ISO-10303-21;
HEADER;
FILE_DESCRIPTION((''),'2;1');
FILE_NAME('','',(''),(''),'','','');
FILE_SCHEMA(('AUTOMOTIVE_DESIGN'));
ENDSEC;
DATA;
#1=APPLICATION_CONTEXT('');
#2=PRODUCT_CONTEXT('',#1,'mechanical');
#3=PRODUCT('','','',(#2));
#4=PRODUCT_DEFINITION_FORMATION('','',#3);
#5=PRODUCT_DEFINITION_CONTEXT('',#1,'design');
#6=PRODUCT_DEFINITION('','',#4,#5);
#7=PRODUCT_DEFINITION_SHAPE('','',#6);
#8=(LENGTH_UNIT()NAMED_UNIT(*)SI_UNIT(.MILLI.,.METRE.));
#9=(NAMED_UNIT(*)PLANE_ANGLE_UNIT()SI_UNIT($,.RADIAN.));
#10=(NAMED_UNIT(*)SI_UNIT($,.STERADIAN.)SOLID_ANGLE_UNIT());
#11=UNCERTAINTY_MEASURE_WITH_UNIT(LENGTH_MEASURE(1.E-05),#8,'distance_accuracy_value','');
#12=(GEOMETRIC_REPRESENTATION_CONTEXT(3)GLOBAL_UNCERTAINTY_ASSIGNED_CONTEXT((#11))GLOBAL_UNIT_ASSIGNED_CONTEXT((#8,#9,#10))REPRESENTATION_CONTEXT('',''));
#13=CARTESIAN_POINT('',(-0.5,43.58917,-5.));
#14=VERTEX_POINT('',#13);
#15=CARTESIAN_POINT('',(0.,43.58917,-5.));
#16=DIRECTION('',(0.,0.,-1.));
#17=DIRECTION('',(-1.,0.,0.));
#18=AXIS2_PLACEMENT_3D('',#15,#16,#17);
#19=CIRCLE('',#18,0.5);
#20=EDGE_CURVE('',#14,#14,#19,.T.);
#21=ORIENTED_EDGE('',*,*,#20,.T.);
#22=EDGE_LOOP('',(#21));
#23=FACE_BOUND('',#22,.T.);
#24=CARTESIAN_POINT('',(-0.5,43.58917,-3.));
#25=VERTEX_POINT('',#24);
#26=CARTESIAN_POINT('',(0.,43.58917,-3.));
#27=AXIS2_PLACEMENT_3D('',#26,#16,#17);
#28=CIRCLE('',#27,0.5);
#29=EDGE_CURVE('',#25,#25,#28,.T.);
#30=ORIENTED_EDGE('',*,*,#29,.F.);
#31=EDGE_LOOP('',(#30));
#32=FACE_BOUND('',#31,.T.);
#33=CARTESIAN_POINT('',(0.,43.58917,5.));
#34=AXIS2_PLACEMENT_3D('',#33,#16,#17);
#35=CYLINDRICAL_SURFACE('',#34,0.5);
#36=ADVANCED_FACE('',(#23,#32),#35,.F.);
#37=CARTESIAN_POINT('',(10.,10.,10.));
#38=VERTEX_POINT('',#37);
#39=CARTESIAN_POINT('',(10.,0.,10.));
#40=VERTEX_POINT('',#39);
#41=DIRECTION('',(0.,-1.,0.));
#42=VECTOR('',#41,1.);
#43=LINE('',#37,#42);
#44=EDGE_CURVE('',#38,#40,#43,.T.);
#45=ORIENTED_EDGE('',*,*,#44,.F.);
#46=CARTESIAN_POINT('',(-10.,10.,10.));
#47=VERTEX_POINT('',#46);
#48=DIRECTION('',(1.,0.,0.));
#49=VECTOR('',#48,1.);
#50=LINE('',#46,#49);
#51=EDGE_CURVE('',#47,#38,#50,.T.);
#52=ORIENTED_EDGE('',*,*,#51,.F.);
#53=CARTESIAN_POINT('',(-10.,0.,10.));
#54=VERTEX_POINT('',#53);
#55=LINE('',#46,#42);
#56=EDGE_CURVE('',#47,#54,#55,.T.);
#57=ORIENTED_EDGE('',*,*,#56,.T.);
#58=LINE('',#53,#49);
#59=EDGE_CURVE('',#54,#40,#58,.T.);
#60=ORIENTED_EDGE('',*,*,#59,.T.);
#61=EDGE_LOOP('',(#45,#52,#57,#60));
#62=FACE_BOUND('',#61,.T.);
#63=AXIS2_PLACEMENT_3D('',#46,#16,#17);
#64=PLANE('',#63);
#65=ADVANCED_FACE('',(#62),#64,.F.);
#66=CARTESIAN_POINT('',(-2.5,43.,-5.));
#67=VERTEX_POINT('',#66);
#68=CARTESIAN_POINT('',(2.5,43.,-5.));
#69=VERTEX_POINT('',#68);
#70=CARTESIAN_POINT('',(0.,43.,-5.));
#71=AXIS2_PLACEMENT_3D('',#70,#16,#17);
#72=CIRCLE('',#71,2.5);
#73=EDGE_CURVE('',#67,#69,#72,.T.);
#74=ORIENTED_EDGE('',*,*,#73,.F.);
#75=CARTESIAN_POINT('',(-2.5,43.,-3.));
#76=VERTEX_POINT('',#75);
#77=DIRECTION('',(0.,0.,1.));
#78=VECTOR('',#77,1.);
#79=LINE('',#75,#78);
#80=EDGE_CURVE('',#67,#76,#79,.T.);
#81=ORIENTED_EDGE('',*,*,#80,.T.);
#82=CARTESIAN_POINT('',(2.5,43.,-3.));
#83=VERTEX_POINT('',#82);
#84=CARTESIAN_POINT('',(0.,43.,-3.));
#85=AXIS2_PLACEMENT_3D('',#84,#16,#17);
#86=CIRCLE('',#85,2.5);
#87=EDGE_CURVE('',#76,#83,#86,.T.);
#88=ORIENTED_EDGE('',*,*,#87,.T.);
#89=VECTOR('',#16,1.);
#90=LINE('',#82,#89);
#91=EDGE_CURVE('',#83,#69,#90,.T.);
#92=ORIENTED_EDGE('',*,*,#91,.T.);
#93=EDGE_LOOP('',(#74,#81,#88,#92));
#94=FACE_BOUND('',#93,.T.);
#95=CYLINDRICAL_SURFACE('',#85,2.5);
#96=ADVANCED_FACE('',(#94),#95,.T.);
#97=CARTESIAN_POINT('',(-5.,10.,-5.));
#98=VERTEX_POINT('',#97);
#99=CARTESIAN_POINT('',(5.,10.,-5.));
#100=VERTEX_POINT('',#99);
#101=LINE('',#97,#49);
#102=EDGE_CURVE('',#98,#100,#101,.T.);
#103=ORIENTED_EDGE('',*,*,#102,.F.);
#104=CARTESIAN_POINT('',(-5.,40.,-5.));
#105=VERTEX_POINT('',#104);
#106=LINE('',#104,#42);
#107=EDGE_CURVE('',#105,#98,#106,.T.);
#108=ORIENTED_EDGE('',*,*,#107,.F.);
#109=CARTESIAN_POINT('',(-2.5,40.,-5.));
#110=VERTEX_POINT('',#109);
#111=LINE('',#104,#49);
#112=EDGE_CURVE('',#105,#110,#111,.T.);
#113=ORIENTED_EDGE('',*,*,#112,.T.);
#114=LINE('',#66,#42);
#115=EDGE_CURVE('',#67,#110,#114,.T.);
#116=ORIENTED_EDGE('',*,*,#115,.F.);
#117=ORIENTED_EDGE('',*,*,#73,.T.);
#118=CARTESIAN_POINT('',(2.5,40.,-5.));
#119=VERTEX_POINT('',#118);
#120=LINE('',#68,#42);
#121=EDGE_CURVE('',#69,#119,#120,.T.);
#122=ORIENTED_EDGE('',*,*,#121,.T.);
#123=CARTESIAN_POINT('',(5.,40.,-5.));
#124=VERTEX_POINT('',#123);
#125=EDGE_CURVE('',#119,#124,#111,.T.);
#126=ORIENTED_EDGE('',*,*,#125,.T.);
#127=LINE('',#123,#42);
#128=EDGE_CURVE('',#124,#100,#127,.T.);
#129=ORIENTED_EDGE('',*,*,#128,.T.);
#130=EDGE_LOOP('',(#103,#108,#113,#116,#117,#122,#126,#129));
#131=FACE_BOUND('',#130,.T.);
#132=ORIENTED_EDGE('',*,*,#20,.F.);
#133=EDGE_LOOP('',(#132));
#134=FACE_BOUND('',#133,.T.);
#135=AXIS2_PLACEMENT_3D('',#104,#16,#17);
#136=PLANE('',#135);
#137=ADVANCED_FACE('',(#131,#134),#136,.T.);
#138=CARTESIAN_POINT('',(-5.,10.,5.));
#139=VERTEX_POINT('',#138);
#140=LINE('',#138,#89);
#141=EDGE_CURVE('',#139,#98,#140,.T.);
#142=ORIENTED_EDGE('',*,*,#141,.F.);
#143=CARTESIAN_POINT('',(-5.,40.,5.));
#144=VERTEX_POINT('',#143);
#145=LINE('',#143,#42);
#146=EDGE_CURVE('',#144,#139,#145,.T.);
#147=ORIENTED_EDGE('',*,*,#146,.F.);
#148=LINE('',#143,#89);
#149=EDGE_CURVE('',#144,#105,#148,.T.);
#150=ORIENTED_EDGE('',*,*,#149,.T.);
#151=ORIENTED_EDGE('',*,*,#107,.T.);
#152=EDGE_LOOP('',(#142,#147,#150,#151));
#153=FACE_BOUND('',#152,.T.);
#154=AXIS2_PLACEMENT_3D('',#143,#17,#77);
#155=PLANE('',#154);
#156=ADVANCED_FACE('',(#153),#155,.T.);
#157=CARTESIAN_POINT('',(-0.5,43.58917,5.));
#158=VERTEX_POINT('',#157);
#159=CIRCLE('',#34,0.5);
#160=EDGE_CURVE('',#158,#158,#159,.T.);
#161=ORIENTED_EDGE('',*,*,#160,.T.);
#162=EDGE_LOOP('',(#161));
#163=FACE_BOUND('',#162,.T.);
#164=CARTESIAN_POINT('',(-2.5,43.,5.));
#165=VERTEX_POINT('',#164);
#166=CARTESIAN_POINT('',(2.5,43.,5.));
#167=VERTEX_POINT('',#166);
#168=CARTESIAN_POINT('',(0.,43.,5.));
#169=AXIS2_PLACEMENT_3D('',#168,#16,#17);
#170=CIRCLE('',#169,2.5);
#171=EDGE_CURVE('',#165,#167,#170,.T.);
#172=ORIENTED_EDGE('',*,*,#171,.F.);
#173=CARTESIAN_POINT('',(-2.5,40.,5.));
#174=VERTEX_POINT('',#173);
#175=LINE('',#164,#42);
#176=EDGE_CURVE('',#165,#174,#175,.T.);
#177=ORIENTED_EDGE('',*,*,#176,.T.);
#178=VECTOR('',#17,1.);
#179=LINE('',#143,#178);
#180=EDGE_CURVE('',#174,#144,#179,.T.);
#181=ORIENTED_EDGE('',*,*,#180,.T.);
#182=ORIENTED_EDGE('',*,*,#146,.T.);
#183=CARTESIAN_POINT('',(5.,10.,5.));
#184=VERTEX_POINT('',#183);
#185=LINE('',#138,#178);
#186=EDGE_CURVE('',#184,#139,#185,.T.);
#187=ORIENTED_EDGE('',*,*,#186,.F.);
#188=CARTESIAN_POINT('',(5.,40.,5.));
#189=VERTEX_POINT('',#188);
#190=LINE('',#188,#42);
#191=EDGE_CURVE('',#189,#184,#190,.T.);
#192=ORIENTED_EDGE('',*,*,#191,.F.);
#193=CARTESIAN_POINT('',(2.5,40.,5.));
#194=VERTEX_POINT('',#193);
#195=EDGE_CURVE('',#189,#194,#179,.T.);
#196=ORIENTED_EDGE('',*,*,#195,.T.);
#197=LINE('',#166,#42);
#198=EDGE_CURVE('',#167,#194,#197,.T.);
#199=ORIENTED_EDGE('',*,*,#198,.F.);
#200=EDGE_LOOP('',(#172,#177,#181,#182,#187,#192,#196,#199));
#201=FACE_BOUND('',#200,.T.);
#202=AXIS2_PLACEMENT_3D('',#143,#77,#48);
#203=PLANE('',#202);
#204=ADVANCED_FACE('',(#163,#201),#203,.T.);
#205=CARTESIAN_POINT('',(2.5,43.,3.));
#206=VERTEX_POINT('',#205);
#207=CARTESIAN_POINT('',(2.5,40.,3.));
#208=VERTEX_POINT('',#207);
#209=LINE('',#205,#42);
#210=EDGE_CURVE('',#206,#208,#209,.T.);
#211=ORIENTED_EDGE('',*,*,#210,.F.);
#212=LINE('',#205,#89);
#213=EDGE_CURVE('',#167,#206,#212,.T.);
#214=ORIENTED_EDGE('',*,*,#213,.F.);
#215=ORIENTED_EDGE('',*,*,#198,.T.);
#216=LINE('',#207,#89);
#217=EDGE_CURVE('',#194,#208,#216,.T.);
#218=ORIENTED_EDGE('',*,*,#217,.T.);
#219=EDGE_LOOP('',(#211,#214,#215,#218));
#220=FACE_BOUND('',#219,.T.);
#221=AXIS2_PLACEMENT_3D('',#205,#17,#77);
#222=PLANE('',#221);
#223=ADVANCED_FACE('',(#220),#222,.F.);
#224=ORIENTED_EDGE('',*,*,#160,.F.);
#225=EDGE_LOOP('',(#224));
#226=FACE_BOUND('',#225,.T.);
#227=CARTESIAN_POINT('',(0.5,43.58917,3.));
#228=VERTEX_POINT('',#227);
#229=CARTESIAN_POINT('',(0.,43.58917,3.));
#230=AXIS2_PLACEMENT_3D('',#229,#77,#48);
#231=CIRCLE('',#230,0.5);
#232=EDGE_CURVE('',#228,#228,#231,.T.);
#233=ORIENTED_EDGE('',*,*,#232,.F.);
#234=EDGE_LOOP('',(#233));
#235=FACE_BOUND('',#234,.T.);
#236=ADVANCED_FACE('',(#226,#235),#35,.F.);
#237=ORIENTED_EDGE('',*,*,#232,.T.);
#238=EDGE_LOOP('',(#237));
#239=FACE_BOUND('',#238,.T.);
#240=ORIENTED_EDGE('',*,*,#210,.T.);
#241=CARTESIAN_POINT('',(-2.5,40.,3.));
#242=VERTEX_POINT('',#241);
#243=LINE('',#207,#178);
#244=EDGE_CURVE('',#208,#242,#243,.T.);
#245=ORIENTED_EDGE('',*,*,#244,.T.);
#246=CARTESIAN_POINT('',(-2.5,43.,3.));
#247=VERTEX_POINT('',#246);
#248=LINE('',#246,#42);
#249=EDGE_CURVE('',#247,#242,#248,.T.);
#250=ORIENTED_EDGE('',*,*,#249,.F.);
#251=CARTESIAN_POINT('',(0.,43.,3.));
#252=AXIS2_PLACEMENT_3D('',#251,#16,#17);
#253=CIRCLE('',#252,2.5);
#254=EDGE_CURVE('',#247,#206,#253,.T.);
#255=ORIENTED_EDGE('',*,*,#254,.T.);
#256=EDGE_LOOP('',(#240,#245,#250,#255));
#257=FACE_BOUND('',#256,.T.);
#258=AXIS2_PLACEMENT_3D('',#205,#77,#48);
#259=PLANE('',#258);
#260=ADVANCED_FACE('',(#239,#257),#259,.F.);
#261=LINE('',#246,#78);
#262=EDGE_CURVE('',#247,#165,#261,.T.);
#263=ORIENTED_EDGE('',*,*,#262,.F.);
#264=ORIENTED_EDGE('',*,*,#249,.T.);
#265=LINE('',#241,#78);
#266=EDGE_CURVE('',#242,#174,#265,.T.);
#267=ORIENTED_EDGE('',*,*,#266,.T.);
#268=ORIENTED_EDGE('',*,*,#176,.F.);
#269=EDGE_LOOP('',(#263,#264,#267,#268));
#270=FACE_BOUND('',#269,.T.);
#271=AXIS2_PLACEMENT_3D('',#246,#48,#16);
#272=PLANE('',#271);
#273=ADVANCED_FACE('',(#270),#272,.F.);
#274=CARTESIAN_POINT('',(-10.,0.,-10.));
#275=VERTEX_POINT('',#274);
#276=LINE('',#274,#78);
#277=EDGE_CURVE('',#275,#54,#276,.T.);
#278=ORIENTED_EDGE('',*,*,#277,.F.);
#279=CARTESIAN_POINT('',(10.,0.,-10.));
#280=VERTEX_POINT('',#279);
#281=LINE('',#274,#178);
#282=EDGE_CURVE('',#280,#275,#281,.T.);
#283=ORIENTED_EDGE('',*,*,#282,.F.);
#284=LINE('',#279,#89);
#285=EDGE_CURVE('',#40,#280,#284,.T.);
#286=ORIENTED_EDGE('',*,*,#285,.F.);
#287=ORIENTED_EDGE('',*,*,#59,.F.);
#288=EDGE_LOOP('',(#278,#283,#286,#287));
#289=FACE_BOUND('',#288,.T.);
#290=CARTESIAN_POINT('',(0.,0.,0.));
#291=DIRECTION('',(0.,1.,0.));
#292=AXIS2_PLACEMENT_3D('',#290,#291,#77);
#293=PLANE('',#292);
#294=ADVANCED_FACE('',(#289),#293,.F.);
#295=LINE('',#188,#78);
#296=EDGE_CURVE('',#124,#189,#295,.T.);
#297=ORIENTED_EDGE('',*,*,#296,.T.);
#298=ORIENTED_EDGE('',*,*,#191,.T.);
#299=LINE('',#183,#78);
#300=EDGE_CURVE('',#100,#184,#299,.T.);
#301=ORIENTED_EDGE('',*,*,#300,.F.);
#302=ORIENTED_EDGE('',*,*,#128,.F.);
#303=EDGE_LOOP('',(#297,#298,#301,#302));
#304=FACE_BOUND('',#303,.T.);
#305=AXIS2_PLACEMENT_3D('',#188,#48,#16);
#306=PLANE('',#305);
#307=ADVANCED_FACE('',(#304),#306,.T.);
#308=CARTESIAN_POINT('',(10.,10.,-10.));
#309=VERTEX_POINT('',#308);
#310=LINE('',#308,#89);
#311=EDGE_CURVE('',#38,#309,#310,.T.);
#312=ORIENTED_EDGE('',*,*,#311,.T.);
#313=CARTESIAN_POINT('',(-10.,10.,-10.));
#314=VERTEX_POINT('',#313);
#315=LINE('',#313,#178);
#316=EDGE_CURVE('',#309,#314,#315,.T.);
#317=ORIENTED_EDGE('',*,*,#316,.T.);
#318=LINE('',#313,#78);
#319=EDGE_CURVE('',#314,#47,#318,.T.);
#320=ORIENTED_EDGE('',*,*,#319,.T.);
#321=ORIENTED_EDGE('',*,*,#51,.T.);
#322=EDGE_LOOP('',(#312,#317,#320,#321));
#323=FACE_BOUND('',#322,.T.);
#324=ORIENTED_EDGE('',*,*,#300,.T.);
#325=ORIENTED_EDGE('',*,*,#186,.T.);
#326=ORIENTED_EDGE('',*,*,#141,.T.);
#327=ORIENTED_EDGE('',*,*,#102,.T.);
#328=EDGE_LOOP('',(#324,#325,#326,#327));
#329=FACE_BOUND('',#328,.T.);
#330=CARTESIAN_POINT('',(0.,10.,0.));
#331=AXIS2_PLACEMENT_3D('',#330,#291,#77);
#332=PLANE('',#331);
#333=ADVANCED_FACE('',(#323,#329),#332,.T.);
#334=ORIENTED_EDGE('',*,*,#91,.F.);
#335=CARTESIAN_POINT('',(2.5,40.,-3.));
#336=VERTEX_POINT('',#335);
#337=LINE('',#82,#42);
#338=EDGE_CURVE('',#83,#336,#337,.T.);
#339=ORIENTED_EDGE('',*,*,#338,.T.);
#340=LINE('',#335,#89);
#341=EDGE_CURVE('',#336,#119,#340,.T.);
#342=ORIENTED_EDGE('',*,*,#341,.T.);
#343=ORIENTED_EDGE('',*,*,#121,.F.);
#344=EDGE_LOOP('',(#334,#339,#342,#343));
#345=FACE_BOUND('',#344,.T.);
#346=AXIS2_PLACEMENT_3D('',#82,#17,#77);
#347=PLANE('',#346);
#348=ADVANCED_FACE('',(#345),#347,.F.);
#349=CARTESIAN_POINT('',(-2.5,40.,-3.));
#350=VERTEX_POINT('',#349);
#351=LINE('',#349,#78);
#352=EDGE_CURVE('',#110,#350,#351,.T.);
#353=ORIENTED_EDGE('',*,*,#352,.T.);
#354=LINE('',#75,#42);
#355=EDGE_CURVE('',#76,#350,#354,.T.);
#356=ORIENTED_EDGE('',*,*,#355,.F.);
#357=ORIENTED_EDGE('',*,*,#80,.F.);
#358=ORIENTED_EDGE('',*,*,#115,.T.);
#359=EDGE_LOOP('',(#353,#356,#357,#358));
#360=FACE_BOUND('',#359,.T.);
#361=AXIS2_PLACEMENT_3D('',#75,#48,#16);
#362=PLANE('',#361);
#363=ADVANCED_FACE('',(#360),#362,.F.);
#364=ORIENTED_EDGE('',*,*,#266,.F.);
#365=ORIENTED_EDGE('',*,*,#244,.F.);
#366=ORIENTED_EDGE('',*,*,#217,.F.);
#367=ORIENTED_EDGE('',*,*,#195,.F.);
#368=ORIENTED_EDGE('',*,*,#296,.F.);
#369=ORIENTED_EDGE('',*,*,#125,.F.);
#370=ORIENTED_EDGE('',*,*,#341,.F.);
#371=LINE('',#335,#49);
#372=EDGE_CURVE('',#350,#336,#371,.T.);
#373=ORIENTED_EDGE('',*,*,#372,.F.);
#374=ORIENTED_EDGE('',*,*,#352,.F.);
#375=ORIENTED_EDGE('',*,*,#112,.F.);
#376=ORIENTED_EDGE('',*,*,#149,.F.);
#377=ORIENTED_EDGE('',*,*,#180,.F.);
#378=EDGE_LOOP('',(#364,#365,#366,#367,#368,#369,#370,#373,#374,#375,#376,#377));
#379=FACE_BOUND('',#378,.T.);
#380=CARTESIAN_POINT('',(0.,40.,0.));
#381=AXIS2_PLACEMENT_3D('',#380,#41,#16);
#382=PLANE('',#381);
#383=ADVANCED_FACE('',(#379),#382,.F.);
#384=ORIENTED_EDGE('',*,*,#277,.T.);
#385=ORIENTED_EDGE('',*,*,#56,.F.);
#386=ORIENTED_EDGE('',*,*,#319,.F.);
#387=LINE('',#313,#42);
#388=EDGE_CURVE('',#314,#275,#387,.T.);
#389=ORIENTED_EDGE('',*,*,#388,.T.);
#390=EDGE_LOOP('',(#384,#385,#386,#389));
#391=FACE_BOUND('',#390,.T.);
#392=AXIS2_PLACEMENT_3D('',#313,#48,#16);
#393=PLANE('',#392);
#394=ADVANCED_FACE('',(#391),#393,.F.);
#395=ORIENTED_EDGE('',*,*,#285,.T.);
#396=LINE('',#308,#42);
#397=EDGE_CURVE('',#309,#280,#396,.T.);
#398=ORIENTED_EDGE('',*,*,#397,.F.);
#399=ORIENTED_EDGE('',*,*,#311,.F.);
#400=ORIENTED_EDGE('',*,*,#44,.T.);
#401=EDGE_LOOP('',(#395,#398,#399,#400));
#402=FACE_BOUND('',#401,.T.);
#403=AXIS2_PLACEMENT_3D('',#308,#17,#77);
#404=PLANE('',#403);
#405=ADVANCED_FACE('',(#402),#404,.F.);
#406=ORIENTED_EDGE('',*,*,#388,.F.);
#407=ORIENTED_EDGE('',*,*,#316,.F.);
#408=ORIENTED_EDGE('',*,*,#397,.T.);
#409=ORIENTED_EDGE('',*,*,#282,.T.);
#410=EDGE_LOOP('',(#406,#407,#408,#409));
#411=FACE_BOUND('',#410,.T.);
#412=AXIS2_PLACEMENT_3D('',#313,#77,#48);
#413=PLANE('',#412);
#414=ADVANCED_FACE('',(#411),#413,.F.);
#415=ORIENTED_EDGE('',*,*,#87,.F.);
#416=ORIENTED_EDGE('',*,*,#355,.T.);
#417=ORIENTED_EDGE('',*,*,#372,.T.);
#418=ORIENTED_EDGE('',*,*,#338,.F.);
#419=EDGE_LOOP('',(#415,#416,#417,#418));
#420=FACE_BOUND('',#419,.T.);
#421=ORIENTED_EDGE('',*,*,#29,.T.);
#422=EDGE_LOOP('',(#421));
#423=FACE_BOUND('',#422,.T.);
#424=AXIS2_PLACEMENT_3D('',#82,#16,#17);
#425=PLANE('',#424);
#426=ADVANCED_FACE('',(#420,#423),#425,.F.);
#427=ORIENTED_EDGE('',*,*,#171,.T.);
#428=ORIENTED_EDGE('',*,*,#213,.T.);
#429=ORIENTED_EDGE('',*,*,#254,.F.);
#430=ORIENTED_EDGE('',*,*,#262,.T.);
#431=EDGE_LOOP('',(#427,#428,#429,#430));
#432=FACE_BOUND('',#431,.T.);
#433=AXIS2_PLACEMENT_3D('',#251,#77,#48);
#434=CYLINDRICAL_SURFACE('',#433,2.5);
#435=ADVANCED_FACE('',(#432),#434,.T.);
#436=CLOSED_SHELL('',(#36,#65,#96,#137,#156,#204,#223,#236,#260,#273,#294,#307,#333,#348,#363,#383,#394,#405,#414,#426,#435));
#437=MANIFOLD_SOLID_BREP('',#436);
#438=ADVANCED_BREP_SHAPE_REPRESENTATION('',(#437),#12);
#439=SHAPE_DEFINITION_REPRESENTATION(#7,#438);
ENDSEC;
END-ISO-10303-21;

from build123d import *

# Parameters (mm, degrees)
SKETCH1_W           = 20
SKETCH1_H           = 20
BOSS_EXTRUDE1_DEPTH = 10
SKETCH2_W           = 10
SKETCH2_H           = 10
BOSS_EXTRUDE2_DEPTH = 30
SKETCH3_W           = 5
SKETCH3_H           = 2
BOSS_EXTRUDE3_DEPTH = 3
SKETCH4_R           = 2.5
BOSS_EXTRUDE4_DEPTH = 2
SKETCH5_R           = 0.5
CUT_EXTRUDE1_DEPTH  = 10


with BuildPart() as part:
    # Sketch1 → Boss-Extrude1 (new body)
    with BuildSketch(Plane(origin=(0, 0, 0), x_dir=(1, 0, 0), z_dir=(0, 1, 0))):
        Rectangle(SKETCH1_W, SKETCH1_H)
    extrude(amount=BOSS_EXTRUDE1_DEPTH)

    # Sketch2 → Boss-Extrude2 (add)
    with BuildSketch(Plane(origin=(0, 10, 0), x_dir=(-1, 0, 0), z_dir=(0, -1, 0))):
        Rectangle(SKETCH2_W, SKETCH2_H)
    extrude(amount=-BOSS_EXTRUDE2_DEPTH)

    # Sketch3 → Boss-Extrude3 (add)
    with BuildSketch(Plane(origin=(0, 40, 0), x_dir=(1, 0, 0), z_dir=(0, 1, 0))):
        with Locations((0, 4)):
            Rectangle(SKETCH3_W, SKETCH3_H)
        with Locations((0, -4)):
            Rectangle(SKETCH3_W, SKETCH3_H)
    extrude(amount=BOSS_EXTRUDE3_DEPTH)

    # Sketch4 → Boss-Extrude4 (add)
    with BuildSketch(Plane(origin=(0, 0, -5), x_dir=(1, 0, 0), z_dir=(0, 0, -1))):
        with Locations((0, -43)):
            Circle(SKETCH4_R)
    boss_extrude4 = extrude(amount=-BOSS_EXTRUDE4_DEPTH)

    # Mirror1: Boss-Extrude4 across plane
    add(boss_extrude4.mirror(Plane.XY))

    # Sketch5 → Cut-Extrude1 (cut)
    with BuildSketch(Plane(origin=(0, 0, -5), x_dir=(-1, 0, 0), z_dir=(0, 0, -1))):
        with Locations((0, 43.589170062)):
            Circle(SKETCH5_R)
    extrude(amount=-CUT_EXTRUDE1_DEPTH, mode=Mode.SUBTRACT)


solid = part.part
